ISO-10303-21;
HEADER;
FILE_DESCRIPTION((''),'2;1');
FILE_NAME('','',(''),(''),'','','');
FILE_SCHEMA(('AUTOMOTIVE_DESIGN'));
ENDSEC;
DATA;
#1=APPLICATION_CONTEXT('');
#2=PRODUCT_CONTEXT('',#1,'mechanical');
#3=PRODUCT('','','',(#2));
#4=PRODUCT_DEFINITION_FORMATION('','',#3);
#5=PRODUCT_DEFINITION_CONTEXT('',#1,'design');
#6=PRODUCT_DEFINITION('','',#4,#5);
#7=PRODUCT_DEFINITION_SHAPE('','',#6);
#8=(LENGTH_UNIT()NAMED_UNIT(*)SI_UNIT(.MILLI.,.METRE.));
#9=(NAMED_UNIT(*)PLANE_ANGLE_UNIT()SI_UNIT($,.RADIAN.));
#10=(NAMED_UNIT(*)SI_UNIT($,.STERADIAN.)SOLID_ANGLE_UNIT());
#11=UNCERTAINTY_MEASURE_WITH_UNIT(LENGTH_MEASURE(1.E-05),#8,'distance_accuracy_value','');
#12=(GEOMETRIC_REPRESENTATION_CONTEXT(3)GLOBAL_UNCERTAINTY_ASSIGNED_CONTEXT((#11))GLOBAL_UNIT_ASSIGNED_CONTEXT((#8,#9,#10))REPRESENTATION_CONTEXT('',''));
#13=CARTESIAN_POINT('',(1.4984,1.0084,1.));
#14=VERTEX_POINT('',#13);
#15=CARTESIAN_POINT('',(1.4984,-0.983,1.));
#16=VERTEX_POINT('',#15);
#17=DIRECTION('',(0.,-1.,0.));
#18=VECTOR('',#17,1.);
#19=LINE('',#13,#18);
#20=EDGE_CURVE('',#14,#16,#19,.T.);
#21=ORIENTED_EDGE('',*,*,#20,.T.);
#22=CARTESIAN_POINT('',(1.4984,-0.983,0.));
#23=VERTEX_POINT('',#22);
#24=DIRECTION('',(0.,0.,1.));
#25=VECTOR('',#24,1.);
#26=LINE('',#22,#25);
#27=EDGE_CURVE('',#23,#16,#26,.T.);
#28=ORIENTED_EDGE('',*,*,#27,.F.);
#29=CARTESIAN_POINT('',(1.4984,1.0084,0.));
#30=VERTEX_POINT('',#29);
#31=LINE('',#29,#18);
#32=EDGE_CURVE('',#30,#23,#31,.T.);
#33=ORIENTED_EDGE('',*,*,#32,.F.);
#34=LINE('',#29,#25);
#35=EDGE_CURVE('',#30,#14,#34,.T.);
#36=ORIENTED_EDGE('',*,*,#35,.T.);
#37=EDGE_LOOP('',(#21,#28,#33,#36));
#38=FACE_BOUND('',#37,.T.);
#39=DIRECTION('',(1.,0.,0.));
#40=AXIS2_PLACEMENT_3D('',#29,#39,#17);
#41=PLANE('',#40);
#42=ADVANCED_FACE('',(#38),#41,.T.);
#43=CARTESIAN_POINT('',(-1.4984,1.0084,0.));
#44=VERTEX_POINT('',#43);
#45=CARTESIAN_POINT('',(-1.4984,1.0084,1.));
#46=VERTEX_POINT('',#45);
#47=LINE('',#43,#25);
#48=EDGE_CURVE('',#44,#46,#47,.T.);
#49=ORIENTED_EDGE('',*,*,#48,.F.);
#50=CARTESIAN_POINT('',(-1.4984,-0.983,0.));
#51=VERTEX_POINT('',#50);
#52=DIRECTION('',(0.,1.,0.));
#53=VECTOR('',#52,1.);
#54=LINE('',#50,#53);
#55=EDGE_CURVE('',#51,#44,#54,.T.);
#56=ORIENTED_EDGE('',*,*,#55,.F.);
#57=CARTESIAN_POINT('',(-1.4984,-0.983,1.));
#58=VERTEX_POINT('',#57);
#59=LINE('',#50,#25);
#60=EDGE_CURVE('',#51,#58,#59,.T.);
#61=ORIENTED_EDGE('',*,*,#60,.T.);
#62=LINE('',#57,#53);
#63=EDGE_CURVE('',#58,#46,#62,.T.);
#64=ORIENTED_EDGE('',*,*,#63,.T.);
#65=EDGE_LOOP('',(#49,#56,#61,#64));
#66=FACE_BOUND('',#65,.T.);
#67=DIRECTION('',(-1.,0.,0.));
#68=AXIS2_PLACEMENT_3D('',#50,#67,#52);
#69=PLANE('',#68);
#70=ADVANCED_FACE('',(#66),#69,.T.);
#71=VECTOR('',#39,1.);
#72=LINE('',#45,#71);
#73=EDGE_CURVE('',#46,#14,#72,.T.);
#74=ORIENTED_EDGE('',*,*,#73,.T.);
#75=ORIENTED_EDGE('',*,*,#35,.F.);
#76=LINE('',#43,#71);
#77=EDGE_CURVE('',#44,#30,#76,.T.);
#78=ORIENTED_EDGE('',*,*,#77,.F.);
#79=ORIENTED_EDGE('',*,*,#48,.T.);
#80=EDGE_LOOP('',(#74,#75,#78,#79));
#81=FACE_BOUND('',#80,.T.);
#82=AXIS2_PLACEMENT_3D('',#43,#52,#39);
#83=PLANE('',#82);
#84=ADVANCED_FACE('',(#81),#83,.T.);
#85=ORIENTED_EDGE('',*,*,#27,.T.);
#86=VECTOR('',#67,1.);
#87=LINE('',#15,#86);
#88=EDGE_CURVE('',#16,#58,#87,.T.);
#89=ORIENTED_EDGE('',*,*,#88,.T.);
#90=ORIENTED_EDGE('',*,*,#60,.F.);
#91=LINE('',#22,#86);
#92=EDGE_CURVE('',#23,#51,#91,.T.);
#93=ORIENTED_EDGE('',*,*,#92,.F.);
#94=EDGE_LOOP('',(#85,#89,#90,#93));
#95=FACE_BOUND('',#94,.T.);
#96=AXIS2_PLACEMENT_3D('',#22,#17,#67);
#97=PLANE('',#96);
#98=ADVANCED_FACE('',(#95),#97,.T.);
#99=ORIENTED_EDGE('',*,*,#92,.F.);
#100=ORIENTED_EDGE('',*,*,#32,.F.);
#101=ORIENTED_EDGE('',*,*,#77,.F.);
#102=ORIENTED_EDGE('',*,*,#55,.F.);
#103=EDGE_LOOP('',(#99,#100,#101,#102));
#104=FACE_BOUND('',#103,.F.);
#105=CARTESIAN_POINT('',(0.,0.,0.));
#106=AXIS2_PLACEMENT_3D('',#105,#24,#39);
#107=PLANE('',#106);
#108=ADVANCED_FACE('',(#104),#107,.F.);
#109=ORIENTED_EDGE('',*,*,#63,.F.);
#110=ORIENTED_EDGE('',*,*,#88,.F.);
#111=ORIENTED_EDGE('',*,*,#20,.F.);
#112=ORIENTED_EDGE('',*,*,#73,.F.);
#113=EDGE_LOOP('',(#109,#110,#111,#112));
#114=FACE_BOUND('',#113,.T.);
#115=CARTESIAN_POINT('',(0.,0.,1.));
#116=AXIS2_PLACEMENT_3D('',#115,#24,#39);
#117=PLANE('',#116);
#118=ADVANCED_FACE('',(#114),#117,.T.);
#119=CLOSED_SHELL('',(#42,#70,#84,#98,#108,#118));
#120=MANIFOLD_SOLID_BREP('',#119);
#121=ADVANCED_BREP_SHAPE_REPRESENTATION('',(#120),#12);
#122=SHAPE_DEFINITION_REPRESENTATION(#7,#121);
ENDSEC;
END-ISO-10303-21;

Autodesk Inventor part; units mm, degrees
ref_plane "YZ Plane" through (0, 0, 0) normal (1, 0, 0) x (0, 1, 0)
ref_plane "XZ Plane" through (0, 0, 0) normal (0, 1, 0) x (-1, 0, 0)
ref_plane "XY Plane" through (0, 0, 0) normal (0, 0, 1) x (1, 0, 0)
sketch "0603-RES, 10K_42" plane through (0, 0, 0) normal (0, 0, 1) x (1, 0, 0)
  line L0 (-1.4984, 1.0084) -> (1.4984, 1.0084)
  line L1 (1.4984, 1.0084) -> (1.4984, -0.983)
  line L2 (1.4984, -0.983) -> (-1.4984, -0.983)
  line L3 (-1.4984, -0.983) -> (-1.4984, 1.0084)
extrude "Extrusion1" add sketch "0603-RES, 10K_42" along normal blind 1
properties part number "10K"
